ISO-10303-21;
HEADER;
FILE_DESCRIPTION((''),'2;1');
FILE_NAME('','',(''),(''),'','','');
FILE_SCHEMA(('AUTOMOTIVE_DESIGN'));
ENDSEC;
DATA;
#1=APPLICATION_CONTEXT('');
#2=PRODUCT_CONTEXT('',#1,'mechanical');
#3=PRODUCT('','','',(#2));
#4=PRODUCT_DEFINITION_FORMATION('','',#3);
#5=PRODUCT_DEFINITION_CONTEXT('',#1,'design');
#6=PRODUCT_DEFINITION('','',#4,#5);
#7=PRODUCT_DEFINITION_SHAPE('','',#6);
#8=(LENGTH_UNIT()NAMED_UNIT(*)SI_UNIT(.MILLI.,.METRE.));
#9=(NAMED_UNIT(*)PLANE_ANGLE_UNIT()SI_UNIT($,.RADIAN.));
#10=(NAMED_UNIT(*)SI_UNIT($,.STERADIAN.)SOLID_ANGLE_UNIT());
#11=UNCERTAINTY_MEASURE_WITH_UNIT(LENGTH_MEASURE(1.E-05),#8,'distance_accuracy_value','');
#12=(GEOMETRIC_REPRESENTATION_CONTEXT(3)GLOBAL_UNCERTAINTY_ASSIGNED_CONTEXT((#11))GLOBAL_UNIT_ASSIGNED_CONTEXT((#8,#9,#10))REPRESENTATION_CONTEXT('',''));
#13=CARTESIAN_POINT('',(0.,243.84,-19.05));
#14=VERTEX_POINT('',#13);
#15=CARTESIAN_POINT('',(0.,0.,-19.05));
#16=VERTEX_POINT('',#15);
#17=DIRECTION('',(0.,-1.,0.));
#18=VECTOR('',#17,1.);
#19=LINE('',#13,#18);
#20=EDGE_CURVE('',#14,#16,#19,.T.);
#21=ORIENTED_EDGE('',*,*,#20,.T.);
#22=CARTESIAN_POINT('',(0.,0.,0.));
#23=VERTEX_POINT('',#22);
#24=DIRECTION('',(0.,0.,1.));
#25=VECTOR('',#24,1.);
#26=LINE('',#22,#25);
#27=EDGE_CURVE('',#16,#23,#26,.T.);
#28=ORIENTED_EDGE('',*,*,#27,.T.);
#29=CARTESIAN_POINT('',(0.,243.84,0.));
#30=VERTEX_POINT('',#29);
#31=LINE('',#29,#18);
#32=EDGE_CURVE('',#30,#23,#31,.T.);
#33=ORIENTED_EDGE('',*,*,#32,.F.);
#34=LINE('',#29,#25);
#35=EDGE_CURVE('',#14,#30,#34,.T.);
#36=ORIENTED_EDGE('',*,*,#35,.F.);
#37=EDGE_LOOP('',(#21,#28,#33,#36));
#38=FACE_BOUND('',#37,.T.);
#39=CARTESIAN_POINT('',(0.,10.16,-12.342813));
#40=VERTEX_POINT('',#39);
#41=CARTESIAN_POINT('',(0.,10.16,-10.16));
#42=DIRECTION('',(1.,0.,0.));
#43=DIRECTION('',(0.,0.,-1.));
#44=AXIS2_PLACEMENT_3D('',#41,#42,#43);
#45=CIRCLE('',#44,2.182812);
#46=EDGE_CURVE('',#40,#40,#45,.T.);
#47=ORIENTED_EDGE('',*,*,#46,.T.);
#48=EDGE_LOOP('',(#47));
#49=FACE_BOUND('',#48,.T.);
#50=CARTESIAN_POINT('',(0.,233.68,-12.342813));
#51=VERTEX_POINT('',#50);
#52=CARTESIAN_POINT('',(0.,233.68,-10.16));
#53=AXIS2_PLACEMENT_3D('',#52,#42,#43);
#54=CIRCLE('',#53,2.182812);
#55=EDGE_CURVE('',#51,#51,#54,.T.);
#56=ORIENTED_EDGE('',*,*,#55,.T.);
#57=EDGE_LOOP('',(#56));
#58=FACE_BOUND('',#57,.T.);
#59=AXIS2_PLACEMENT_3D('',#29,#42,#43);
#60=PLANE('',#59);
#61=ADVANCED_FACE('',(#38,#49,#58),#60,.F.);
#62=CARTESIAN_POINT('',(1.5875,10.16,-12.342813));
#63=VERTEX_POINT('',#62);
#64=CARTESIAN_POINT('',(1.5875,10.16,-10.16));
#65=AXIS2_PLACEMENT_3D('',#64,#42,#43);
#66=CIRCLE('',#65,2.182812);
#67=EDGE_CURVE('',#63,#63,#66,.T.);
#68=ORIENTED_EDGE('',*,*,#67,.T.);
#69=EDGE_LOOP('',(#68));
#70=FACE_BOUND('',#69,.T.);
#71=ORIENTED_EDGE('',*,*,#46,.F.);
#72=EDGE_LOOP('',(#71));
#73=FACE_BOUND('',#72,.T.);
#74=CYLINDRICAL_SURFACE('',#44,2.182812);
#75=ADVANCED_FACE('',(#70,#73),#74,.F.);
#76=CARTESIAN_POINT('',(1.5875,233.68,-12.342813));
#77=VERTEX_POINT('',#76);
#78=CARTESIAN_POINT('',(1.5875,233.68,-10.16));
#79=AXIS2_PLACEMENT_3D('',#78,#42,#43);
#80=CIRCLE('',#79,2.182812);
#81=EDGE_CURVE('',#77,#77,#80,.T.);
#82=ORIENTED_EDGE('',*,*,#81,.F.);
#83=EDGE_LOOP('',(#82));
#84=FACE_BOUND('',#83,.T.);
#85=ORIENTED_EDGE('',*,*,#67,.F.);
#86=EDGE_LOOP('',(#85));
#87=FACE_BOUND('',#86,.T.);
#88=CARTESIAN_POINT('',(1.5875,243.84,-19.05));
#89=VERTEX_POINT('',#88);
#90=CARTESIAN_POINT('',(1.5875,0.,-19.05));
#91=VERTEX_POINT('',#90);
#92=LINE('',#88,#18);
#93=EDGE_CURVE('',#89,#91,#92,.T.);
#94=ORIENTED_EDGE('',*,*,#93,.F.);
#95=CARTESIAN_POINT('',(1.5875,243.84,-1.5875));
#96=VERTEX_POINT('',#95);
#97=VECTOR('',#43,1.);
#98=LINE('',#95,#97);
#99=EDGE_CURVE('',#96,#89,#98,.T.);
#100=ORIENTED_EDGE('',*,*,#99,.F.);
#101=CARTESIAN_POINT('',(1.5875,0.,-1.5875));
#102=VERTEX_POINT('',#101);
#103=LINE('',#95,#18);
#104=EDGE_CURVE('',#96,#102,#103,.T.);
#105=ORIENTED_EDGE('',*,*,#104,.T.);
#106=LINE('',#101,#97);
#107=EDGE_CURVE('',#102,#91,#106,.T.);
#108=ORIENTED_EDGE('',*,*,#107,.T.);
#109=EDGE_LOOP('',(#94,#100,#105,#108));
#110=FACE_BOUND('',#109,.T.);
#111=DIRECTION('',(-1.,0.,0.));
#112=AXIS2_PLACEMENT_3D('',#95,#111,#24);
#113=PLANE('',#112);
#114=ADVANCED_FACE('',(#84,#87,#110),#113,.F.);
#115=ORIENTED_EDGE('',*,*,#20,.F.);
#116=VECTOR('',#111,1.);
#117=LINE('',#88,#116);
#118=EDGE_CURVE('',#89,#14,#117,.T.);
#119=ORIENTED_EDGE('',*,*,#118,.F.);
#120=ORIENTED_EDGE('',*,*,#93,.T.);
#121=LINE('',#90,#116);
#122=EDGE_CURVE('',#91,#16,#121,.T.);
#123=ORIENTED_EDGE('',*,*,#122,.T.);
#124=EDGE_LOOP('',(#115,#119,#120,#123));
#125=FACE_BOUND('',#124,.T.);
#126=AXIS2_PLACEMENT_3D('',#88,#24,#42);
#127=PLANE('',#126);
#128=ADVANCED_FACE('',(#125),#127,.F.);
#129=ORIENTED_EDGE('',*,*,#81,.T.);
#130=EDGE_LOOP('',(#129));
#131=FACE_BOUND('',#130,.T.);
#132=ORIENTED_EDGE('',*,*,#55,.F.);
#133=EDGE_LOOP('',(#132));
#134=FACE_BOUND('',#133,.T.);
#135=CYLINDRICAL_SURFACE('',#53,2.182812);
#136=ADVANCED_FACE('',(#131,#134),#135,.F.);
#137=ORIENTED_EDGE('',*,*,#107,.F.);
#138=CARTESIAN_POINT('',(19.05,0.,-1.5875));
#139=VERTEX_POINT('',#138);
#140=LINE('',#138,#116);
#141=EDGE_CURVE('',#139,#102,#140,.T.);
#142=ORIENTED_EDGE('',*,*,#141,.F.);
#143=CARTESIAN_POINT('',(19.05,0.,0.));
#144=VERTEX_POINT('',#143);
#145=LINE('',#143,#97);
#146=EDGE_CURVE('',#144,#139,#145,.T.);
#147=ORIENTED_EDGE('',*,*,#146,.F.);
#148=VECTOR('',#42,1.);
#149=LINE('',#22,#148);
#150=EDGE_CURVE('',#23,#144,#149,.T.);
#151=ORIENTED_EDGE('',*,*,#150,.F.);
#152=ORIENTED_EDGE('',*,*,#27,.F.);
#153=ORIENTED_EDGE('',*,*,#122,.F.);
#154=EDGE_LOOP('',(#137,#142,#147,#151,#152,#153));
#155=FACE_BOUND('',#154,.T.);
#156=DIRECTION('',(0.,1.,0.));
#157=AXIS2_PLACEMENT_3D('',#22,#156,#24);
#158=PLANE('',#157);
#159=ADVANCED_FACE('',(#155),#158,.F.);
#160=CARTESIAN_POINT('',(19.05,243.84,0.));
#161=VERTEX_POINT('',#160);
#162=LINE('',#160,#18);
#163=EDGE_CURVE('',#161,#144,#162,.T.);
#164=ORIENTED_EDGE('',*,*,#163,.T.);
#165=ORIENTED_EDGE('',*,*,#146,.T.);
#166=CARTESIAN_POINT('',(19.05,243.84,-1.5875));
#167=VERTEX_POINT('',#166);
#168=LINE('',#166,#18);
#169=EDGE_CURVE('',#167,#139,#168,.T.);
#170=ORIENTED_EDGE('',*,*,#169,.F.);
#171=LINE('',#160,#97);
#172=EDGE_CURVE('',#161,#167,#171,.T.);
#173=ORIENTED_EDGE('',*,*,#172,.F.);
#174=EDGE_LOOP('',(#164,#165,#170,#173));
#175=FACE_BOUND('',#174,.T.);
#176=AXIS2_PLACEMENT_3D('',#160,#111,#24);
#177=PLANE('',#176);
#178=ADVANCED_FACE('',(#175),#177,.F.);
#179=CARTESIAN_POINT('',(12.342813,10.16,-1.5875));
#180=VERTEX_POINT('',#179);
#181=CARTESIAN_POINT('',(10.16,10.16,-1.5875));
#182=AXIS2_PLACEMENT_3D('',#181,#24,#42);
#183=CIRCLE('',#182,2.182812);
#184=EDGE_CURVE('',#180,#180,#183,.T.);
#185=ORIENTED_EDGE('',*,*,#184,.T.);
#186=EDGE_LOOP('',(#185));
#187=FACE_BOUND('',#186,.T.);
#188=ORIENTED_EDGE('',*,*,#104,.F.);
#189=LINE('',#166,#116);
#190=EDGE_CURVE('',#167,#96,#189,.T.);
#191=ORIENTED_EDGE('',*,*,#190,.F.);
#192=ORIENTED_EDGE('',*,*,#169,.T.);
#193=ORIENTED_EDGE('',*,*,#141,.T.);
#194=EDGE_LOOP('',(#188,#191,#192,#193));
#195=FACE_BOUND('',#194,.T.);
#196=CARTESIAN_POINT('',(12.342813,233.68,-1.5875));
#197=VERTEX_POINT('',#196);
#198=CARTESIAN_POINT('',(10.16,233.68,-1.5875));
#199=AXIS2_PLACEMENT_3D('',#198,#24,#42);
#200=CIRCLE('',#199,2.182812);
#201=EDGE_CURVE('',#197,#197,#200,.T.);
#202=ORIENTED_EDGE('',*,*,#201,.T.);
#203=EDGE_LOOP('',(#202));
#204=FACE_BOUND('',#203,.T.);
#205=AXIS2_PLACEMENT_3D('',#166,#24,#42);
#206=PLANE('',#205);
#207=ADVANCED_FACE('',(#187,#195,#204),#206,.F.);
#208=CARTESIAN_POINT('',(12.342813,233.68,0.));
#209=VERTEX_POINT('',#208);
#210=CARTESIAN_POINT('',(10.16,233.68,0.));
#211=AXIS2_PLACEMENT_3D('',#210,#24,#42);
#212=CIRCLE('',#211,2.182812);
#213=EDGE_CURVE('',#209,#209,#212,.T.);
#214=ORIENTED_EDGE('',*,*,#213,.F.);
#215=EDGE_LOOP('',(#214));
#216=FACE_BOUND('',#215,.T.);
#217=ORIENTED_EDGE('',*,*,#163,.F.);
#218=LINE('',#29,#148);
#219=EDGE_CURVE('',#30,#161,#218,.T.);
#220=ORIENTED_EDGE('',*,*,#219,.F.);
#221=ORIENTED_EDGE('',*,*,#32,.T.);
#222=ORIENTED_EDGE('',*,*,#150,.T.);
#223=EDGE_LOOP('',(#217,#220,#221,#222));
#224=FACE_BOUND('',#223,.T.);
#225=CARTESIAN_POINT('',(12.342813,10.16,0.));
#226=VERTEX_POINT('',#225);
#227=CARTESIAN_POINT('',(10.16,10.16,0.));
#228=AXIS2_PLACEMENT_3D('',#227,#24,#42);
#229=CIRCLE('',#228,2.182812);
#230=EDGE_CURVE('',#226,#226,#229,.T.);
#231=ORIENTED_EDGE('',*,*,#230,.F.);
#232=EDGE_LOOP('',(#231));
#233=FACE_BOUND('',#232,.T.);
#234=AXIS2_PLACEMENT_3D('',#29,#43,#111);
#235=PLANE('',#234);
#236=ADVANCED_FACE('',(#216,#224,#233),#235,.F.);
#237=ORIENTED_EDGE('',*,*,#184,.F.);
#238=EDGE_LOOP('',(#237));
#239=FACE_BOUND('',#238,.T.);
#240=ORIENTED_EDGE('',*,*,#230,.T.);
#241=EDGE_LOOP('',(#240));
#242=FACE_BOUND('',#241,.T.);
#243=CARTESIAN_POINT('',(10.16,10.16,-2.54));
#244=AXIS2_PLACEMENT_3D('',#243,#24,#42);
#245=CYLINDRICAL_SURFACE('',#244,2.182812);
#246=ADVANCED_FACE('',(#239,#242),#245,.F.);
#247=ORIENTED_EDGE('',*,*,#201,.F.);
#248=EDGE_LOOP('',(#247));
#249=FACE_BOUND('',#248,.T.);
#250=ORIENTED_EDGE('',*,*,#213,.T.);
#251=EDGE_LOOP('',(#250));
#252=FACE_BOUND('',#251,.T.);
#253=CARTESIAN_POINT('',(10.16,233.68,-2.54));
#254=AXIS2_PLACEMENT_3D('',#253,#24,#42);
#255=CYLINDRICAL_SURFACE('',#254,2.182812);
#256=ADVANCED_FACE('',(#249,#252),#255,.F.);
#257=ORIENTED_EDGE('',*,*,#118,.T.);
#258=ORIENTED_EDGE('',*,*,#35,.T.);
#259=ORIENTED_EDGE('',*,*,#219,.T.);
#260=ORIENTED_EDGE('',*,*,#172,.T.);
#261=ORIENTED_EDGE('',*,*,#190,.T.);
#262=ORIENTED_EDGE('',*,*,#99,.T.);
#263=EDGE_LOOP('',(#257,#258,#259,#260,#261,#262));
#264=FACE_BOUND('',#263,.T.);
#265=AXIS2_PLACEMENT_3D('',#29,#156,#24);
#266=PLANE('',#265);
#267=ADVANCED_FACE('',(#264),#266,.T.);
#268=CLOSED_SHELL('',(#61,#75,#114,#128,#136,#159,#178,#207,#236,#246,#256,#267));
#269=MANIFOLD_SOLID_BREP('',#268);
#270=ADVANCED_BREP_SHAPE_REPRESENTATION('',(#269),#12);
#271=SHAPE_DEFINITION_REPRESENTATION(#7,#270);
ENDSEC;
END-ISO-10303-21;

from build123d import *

# Parameters (mm, degrees)
BOSS_EXTRUDE1_DEPTH = 243.84
SKETCH2_R           = 2.1828125
CUT_EXTRUDE1_DEPTH  = 2.54
SKETCH3_R           = 2.1828125
CUT_EXTRUDE2_DEPTH  = 246.205601499


with BuildPart() as part:
    # Sketch1 → Boss-Extrude1 (new body)
    with BuildSketch(Plane(origin=(0, 0, 0), x_dir=(1, 0, 0), z_dir=(0, 1, 0))):
        Polygon((0, 0), (0, 19.05), (1.5875, 19.05), (1.5875, 1.5875), (19.05, 1.5875), (19.05, 0), align=None)
    extrude(amount=BOSS_EXTRUDE1_DEPTH)

    # Sketch2 → Cut-Extrude1 (cut)
    with BuildSketch(Plane.XY):
        with Locations((10.16, 233.68)):
            Circle(SKETCH2_R)
        with Locations((10.16, 10.16)):
            Circle(SKETCH2_R)
    extrude(amount=-CUT_EXTRUDE1_DEPTH, mode=Mode.SUBTRACT)

    # Sketch3 → Cut-Extrude2 (cut, through all)
    with BuildSketch(Plane(origin=(1.5875, 0, 0), x_dir=(0, 0, -1), z_dir=(1, 0, 0))):
        with Locations((10.16, 233.68)):
            Circle(SKETCH3_R)
        with Locations((10.16, 10.16)):
            Circle(SKETCH3_R)
    extrude(amount=-CUT_EXTRUDE2_DEPTH, mode=Mode.SUBTRACT)


solid = part.part
